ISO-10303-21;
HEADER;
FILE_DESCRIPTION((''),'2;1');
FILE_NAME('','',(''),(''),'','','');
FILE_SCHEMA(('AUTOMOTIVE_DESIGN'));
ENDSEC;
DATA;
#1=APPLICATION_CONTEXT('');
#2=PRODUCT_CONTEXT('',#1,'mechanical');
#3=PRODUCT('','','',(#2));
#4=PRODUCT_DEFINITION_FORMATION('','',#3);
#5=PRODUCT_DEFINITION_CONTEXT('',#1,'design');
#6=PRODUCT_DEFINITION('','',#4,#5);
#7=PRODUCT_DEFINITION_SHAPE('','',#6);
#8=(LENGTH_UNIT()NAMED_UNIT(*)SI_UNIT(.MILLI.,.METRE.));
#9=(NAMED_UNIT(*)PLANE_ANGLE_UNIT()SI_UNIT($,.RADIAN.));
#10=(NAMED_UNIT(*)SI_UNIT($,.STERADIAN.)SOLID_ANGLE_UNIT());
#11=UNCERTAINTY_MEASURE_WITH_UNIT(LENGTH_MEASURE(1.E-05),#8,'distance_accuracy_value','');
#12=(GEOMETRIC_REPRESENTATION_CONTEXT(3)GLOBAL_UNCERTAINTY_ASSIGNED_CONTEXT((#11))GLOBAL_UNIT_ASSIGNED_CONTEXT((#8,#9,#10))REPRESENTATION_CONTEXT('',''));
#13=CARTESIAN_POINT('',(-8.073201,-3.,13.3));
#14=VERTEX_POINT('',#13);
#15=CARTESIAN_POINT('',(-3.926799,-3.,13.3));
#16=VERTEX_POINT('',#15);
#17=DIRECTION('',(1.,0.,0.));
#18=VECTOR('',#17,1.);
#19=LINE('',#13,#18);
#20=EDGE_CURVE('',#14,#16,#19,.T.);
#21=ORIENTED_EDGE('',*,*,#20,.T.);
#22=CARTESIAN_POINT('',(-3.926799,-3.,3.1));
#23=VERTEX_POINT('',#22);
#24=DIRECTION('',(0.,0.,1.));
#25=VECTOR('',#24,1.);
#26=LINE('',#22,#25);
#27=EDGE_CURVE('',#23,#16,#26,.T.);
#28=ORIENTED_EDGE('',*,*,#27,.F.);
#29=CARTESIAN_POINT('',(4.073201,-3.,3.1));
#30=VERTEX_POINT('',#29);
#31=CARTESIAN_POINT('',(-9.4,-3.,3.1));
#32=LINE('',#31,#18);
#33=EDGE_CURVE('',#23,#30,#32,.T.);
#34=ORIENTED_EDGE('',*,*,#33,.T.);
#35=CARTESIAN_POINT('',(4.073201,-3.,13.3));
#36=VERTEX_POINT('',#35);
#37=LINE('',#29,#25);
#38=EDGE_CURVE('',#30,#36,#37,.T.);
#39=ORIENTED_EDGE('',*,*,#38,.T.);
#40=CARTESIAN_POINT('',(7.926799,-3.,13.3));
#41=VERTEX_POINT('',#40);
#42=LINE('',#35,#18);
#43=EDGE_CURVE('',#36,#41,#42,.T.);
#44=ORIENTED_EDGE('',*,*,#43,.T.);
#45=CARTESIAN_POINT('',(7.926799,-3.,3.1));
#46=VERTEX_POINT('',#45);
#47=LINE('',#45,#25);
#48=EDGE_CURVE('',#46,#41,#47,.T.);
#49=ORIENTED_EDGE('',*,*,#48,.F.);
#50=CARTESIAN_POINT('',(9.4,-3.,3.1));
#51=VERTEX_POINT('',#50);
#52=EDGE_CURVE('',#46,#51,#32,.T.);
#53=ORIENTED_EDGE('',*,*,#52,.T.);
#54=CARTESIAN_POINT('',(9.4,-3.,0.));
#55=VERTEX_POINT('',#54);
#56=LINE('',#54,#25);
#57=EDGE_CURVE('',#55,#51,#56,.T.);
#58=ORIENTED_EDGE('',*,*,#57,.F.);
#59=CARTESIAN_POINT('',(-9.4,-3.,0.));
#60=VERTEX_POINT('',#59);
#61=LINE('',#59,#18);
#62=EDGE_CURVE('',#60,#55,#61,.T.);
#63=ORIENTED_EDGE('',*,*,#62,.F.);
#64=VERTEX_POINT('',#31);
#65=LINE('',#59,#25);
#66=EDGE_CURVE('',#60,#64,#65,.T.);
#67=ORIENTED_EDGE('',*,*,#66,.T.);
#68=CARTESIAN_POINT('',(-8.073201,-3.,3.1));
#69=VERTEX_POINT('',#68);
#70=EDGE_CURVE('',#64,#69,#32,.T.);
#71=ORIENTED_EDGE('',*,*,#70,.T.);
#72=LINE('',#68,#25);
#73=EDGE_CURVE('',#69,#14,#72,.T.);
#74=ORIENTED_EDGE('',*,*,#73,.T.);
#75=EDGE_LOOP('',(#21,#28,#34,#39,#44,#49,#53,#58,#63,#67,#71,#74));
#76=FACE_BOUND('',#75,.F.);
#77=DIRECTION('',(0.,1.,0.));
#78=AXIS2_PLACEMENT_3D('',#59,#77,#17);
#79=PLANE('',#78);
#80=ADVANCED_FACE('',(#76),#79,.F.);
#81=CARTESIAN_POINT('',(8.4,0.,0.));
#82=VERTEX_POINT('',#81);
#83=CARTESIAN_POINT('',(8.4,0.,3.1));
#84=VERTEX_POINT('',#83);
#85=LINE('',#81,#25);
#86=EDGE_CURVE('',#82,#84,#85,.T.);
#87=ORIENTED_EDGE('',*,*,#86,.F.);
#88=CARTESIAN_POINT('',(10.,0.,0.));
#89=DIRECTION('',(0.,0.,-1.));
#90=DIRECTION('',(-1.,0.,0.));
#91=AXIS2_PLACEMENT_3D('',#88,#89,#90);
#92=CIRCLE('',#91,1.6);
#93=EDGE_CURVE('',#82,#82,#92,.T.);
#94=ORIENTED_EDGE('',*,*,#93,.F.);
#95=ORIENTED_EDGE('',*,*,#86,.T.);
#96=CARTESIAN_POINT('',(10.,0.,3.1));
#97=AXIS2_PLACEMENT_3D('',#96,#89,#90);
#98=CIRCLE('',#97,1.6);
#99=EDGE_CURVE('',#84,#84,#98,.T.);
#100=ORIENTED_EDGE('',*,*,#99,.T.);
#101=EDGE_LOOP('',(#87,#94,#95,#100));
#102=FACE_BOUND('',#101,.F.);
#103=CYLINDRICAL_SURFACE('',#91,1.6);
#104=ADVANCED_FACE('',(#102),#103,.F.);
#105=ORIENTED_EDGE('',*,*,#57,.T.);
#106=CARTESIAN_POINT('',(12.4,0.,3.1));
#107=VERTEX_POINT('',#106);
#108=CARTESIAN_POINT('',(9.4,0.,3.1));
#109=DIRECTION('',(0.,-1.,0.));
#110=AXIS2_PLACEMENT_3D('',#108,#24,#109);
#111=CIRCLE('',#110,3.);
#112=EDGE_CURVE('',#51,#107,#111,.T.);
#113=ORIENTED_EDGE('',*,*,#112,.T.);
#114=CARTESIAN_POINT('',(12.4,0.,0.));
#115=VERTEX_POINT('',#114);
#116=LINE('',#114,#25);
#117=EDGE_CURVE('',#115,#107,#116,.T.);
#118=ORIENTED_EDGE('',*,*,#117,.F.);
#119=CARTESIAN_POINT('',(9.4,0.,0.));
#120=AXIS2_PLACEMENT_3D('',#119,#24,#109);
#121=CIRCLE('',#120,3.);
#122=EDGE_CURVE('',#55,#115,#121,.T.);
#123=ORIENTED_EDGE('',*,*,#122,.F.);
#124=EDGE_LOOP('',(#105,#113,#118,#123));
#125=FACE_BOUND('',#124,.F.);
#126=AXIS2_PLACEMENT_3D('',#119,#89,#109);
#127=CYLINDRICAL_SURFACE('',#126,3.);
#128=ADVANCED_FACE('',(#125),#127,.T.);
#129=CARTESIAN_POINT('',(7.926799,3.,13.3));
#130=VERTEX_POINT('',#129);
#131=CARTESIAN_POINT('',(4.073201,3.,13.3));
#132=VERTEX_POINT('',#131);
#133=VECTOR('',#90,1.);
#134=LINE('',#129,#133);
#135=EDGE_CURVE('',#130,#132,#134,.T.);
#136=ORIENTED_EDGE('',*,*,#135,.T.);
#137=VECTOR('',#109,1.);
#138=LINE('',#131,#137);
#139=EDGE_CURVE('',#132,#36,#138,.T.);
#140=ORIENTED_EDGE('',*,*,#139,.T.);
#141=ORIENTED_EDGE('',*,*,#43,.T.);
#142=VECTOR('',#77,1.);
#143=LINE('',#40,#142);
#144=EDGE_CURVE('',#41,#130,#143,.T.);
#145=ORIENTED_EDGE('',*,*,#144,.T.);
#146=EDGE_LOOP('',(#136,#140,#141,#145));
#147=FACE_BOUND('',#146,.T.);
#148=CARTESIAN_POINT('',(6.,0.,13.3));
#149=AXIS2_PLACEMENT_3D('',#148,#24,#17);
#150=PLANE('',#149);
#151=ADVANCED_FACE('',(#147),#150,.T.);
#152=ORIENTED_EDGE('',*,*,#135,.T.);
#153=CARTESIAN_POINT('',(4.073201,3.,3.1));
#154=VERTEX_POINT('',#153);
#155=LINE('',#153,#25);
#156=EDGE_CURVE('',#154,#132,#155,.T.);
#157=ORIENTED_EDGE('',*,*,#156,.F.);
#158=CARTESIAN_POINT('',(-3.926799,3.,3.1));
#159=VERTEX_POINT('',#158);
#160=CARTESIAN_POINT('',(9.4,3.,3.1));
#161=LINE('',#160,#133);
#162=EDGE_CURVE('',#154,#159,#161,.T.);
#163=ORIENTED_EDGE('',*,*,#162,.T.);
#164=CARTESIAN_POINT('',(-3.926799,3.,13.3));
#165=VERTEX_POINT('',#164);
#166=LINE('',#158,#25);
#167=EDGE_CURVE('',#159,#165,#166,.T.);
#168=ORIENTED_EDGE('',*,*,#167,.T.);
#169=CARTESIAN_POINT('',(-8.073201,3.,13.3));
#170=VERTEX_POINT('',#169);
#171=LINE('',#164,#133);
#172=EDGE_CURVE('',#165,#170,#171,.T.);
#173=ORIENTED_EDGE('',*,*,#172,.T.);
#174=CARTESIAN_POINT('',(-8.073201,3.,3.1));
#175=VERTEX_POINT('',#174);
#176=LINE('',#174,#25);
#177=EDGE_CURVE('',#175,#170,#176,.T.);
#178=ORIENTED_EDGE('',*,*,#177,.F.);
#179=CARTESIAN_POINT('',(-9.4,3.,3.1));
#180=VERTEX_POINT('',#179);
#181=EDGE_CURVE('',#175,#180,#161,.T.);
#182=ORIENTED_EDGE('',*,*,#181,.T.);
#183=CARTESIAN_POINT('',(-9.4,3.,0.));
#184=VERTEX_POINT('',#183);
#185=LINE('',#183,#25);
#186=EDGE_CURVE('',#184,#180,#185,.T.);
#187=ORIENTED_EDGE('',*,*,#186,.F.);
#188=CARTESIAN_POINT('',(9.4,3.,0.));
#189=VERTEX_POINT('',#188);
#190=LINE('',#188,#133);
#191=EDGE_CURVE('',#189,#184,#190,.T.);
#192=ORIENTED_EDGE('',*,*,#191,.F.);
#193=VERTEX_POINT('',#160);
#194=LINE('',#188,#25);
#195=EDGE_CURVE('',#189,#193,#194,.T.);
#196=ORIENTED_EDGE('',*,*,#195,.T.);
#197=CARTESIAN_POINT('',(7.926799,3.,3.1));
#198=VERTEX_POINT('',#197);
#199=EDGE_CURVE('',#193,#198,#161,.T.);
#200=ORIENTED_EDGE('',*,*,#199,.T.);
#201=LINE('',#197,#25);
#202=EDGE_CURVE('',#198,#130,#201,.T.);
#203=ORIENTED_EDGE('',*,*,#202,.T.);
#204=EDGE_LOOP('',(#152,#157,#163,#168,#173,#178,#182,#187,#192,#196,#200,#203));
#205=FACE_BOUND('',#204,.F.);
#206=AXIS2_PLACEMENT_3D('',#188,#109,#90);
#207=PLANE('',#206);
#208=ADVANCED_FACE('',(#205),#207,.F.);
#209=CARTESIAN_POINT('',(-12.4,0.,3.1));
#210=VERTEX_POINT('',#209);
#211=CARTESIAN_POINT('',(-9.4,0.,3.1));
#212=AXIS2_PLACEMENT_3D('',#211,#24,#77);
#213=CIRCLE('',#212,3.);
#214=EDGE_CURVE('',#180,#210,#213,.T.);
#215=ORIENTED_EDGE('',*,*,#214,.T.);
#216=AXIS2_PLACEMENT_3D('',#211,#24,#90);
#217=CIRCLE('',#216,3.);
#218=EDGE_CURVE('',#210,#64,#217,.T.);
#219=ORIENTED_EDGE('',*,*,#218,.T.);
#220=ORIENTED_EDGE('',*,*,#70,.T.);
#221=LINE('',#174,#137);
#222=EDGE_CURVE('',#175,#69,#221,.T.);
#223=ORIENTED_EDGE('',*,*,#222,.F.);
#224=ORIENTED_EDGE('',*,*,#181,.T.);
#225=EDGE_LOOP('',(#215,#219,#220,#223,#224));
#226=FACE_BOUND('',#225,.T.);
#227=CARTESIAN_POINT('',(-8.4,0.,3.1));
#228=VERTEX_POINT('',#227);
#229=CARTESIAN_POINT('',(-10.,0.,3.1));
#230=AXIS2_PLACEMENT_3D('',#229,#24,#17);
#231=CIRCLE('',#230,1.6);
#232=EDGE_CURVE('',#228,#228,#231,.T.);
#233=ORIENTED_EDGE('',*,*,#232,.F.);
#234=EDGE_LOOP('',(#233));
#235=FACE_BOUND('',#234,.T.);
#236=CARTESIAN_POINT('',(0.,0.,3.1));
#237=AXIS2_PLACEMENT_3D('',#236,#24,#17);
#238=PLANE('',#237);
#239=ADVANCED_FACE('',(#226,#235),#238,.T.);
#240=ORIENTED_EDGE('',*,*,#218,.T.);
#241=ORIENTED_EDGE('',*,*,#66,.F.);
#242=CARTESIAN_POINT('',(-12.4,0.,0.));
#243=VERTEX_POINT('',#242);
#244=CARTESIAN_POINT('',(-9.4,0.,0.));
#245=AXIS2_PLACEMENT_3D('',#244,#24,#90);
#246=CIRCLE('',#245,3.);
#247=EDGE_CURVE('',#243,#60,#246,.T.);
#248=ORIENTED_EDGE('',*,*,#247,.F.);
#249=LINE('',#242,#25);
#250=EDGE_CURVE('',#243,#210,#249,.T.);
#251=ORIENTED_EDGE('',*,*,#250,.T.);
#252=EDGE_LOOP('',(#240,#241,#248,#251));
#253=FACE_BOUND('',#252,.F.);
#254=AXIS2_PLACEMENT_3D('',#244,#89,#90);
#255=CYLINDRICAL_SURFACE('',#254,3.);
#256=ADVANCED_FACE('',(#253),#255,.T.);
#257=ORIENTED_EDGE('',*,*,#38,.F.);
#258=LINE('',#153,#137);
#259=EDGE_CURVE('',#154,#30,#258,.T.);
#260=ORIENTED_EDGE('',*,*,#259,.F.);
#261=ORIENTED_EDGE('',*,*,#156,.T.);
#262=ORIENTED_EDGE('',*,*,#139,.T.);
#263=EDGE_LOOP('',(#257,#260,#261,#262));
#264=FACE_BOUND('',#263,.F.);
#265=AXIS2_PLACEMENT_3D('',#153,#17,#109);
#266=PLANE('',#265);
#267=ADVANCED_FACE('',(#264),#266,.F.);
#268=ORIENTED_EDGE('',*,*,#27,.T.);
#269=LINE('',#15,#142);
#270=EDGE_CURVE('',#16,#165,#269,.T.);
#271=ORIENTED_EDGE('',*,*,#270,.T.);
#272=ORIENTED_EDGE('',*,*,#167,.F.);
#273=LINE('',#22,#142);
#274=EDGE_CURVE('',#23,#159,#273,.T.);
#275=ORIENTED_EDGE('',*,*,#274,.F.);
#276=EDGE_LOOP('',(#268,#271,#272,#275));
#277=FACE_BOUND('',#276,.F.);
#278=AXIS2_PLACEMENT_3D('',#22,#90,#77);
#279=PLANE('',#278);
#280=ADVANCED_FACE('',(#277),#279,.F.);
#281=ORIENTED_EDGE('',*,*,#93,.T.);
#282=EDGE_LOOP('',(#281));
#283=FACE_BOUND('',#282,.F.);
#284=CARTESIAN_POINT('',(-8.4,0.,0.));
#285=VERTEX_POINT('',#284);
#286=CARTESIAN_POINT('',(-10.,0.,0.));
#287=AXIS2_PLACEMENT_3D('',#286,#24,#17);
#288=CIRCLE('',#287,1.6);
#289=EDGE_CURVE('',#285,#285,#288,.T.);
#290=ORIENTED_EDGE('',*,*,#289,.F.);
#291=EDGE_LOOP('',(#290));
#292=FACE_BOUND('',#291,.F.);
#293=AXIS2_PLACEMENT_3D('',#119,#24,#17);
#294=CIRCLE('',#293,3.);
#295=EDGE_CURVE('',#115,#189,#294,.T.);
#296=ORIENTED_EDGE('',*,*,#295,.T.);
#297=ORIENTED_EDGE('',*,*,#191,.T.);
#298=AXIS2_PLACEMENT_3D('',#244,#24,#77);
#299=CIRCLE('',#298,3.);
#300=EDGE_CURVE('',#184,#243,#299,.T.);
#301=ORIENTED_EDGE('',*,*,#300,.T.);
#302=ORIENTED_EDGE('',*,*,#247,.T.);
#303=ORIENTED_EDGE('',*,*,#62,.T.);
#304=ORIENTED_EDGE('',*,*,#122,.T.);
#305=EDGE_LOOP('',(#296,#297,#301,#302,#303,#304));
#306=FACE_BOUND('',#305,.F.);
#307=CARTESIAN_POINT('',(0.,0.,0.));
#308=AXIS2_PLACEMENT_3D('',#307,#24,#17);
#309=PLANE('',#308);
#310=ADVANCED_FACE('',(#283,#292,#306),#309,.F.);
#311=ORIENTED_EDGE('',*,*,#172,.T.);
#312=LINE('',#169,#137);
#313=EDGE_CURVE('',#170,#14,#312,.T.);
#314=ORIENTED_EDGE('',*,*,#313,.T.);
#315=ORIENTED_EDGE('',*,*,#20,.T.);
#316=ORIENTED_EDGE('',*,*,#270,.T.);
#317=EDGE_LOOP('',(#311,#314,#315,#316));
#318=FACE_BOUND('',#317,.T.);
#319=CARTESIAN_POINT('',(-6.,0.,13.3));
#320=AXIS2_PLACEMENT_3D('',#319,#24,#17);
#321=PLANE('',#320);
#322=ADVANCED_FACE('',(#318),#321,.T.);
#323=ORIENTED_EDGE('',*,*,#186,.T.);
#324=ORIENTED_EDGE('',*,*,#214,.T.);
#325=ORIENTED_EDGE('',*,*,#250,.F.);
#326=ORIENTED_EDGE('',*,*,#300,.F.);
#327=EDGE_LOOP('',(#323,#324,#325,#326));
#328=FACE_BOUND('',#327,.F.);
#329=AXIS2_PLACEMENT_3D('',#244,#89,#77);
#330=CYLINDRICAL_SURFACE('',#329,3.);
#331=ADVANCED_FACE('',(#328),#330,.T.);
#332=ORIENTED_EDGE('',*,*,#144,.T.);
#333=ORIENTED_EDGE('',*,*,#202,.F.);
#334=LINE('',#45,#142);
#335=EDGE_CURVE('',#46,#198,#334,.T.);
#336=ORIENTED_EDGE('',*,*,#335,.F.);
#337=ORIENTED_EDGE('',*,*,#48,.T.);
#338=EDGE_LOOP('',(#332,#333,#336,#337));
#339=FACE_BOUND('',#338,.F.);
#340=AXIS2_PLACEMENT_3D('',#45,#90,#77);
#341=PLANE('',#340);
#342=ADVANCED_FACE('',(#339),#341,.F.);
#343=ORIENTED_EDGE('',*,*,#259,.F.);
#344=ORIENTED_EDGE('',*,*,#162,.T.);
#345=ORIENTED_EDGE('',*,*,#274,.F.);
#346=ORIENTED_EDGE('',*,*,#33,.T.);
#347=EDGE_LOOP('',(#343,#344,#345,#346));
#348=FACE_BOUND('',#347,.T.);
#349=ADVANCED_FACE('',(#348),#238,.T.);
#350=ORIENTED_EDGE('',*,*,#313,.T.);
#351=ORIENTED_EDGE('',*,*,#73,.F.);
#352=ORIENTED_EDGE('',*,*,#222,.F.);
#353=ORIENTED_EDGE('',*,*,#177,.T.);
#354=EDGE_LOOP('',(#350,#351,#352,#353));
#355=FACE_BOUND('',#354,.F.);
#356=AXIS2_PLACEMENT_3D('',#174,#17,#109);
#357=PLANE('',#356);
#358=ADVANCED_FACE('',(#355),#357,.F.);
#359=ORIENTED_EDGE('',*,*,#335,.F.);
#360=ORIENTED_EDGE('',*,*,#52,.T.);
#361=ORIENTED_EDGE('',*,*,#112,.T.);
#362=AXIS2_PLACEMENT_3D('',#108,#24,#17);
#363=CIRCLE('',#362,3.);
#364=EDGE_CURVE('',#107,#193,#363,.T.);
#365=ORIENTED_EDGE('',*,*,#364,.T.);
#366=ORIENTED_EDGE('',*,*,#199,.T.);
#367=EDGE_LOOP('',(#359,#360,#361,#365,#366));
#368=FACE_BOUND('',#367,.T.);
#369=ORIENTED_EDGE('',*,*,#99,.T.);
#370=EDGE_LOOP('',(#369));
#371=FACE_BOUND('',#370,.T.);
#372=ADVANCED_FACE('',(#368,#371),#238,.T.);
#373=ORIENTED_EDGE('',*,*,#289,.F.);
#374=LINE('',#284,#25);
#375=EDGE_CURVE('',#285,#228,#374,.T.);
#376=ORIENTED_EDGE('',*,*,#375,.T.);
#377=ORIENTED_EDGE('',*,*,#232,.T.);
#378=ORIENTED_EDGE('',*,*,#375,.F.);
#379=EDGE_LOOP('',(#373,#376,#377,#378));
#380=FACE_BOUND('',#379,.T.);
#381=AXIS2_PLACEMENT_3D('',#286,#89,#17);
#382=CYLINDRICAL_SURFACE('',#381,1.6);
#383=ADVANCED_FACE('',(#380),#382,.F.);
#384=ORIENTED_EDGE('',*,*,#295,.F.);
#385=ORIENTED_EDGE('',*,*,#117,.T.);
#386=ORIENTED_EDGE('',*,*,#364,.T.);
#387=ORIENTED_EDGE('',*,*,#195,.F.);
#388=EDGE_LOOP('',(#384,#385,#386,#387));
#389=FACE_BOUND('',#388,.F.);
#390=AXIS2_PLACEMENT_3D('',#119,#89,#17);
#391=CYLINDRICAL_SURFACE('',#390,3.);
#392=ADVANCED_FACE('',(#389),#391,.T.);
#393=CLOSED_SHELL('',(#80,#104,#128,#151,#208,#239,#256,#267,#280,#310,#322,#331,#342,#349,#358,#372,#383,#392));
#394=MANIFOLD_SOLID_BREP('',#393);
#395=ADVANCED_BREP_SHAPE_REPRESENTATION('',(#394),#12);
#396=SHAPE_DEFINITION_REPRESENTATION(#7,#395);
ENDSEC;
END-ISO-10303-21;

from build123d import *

# Parameters (mm, degrees)
F0_R     = 1.6
F1_DEPTH = 3.1
F3_DEPTH = 10.2


with BuildPart() as f1:
    # F0 (on Top) → F1 (new body)
    with BuildSketch(Plane.XY):
        with BuildLine():
            ThreePointArc((12.4, 0), (11.5213203436, 2.1213203436), (9.4, 3))
            Line((9.4, 3), (-9.4, 3))
            ThreePointArc((-9.4, 3), (-11.5213203436, 2.1213203436), (-12.4, 0))
            ThreePointArc((-12.4, 0), (-11.5213203436, -2.1213203436), (-9.4, -3))
            Line((-9.4, -3), (9.4, -3))
            ThreePointArc((9.4, -3), (11.5213203436, -2.1213203436), (12.4, 0))
        make_face()
        with Locations((-10, 0)):
            Circle(F0_R, mode=Mode.SUBTRACT)
        with BuildLine():
            ThreePointArc((11.6, 0), (10, -1.6), (8.4, 0))
            ThreePointArc((8.4, 0), (10, 1.6), (11.6, 0))
        make_face(mode=Mode.SUBTRACT)
    extrude(amount=F1_DEPTH)

    # F2 (on face) → F3 (join)
    with BuildSketch(Plane.XY.offset(3.1)):
        Polygon((-3.9267988071, -3), (-3.9267988071, 0), (-3.9267988071, 3), (-8.0732011929, 3), (-8.0732011929, -3), align=None)
        Polygon((4.0732011929, 3), (4.0732011929, 0), (4.0732011929, -3), (7.9267988071, -3), (7.9267988071, 3), align=None)
    extrude(amount=F3_DEPTH)


solid = f1.part
